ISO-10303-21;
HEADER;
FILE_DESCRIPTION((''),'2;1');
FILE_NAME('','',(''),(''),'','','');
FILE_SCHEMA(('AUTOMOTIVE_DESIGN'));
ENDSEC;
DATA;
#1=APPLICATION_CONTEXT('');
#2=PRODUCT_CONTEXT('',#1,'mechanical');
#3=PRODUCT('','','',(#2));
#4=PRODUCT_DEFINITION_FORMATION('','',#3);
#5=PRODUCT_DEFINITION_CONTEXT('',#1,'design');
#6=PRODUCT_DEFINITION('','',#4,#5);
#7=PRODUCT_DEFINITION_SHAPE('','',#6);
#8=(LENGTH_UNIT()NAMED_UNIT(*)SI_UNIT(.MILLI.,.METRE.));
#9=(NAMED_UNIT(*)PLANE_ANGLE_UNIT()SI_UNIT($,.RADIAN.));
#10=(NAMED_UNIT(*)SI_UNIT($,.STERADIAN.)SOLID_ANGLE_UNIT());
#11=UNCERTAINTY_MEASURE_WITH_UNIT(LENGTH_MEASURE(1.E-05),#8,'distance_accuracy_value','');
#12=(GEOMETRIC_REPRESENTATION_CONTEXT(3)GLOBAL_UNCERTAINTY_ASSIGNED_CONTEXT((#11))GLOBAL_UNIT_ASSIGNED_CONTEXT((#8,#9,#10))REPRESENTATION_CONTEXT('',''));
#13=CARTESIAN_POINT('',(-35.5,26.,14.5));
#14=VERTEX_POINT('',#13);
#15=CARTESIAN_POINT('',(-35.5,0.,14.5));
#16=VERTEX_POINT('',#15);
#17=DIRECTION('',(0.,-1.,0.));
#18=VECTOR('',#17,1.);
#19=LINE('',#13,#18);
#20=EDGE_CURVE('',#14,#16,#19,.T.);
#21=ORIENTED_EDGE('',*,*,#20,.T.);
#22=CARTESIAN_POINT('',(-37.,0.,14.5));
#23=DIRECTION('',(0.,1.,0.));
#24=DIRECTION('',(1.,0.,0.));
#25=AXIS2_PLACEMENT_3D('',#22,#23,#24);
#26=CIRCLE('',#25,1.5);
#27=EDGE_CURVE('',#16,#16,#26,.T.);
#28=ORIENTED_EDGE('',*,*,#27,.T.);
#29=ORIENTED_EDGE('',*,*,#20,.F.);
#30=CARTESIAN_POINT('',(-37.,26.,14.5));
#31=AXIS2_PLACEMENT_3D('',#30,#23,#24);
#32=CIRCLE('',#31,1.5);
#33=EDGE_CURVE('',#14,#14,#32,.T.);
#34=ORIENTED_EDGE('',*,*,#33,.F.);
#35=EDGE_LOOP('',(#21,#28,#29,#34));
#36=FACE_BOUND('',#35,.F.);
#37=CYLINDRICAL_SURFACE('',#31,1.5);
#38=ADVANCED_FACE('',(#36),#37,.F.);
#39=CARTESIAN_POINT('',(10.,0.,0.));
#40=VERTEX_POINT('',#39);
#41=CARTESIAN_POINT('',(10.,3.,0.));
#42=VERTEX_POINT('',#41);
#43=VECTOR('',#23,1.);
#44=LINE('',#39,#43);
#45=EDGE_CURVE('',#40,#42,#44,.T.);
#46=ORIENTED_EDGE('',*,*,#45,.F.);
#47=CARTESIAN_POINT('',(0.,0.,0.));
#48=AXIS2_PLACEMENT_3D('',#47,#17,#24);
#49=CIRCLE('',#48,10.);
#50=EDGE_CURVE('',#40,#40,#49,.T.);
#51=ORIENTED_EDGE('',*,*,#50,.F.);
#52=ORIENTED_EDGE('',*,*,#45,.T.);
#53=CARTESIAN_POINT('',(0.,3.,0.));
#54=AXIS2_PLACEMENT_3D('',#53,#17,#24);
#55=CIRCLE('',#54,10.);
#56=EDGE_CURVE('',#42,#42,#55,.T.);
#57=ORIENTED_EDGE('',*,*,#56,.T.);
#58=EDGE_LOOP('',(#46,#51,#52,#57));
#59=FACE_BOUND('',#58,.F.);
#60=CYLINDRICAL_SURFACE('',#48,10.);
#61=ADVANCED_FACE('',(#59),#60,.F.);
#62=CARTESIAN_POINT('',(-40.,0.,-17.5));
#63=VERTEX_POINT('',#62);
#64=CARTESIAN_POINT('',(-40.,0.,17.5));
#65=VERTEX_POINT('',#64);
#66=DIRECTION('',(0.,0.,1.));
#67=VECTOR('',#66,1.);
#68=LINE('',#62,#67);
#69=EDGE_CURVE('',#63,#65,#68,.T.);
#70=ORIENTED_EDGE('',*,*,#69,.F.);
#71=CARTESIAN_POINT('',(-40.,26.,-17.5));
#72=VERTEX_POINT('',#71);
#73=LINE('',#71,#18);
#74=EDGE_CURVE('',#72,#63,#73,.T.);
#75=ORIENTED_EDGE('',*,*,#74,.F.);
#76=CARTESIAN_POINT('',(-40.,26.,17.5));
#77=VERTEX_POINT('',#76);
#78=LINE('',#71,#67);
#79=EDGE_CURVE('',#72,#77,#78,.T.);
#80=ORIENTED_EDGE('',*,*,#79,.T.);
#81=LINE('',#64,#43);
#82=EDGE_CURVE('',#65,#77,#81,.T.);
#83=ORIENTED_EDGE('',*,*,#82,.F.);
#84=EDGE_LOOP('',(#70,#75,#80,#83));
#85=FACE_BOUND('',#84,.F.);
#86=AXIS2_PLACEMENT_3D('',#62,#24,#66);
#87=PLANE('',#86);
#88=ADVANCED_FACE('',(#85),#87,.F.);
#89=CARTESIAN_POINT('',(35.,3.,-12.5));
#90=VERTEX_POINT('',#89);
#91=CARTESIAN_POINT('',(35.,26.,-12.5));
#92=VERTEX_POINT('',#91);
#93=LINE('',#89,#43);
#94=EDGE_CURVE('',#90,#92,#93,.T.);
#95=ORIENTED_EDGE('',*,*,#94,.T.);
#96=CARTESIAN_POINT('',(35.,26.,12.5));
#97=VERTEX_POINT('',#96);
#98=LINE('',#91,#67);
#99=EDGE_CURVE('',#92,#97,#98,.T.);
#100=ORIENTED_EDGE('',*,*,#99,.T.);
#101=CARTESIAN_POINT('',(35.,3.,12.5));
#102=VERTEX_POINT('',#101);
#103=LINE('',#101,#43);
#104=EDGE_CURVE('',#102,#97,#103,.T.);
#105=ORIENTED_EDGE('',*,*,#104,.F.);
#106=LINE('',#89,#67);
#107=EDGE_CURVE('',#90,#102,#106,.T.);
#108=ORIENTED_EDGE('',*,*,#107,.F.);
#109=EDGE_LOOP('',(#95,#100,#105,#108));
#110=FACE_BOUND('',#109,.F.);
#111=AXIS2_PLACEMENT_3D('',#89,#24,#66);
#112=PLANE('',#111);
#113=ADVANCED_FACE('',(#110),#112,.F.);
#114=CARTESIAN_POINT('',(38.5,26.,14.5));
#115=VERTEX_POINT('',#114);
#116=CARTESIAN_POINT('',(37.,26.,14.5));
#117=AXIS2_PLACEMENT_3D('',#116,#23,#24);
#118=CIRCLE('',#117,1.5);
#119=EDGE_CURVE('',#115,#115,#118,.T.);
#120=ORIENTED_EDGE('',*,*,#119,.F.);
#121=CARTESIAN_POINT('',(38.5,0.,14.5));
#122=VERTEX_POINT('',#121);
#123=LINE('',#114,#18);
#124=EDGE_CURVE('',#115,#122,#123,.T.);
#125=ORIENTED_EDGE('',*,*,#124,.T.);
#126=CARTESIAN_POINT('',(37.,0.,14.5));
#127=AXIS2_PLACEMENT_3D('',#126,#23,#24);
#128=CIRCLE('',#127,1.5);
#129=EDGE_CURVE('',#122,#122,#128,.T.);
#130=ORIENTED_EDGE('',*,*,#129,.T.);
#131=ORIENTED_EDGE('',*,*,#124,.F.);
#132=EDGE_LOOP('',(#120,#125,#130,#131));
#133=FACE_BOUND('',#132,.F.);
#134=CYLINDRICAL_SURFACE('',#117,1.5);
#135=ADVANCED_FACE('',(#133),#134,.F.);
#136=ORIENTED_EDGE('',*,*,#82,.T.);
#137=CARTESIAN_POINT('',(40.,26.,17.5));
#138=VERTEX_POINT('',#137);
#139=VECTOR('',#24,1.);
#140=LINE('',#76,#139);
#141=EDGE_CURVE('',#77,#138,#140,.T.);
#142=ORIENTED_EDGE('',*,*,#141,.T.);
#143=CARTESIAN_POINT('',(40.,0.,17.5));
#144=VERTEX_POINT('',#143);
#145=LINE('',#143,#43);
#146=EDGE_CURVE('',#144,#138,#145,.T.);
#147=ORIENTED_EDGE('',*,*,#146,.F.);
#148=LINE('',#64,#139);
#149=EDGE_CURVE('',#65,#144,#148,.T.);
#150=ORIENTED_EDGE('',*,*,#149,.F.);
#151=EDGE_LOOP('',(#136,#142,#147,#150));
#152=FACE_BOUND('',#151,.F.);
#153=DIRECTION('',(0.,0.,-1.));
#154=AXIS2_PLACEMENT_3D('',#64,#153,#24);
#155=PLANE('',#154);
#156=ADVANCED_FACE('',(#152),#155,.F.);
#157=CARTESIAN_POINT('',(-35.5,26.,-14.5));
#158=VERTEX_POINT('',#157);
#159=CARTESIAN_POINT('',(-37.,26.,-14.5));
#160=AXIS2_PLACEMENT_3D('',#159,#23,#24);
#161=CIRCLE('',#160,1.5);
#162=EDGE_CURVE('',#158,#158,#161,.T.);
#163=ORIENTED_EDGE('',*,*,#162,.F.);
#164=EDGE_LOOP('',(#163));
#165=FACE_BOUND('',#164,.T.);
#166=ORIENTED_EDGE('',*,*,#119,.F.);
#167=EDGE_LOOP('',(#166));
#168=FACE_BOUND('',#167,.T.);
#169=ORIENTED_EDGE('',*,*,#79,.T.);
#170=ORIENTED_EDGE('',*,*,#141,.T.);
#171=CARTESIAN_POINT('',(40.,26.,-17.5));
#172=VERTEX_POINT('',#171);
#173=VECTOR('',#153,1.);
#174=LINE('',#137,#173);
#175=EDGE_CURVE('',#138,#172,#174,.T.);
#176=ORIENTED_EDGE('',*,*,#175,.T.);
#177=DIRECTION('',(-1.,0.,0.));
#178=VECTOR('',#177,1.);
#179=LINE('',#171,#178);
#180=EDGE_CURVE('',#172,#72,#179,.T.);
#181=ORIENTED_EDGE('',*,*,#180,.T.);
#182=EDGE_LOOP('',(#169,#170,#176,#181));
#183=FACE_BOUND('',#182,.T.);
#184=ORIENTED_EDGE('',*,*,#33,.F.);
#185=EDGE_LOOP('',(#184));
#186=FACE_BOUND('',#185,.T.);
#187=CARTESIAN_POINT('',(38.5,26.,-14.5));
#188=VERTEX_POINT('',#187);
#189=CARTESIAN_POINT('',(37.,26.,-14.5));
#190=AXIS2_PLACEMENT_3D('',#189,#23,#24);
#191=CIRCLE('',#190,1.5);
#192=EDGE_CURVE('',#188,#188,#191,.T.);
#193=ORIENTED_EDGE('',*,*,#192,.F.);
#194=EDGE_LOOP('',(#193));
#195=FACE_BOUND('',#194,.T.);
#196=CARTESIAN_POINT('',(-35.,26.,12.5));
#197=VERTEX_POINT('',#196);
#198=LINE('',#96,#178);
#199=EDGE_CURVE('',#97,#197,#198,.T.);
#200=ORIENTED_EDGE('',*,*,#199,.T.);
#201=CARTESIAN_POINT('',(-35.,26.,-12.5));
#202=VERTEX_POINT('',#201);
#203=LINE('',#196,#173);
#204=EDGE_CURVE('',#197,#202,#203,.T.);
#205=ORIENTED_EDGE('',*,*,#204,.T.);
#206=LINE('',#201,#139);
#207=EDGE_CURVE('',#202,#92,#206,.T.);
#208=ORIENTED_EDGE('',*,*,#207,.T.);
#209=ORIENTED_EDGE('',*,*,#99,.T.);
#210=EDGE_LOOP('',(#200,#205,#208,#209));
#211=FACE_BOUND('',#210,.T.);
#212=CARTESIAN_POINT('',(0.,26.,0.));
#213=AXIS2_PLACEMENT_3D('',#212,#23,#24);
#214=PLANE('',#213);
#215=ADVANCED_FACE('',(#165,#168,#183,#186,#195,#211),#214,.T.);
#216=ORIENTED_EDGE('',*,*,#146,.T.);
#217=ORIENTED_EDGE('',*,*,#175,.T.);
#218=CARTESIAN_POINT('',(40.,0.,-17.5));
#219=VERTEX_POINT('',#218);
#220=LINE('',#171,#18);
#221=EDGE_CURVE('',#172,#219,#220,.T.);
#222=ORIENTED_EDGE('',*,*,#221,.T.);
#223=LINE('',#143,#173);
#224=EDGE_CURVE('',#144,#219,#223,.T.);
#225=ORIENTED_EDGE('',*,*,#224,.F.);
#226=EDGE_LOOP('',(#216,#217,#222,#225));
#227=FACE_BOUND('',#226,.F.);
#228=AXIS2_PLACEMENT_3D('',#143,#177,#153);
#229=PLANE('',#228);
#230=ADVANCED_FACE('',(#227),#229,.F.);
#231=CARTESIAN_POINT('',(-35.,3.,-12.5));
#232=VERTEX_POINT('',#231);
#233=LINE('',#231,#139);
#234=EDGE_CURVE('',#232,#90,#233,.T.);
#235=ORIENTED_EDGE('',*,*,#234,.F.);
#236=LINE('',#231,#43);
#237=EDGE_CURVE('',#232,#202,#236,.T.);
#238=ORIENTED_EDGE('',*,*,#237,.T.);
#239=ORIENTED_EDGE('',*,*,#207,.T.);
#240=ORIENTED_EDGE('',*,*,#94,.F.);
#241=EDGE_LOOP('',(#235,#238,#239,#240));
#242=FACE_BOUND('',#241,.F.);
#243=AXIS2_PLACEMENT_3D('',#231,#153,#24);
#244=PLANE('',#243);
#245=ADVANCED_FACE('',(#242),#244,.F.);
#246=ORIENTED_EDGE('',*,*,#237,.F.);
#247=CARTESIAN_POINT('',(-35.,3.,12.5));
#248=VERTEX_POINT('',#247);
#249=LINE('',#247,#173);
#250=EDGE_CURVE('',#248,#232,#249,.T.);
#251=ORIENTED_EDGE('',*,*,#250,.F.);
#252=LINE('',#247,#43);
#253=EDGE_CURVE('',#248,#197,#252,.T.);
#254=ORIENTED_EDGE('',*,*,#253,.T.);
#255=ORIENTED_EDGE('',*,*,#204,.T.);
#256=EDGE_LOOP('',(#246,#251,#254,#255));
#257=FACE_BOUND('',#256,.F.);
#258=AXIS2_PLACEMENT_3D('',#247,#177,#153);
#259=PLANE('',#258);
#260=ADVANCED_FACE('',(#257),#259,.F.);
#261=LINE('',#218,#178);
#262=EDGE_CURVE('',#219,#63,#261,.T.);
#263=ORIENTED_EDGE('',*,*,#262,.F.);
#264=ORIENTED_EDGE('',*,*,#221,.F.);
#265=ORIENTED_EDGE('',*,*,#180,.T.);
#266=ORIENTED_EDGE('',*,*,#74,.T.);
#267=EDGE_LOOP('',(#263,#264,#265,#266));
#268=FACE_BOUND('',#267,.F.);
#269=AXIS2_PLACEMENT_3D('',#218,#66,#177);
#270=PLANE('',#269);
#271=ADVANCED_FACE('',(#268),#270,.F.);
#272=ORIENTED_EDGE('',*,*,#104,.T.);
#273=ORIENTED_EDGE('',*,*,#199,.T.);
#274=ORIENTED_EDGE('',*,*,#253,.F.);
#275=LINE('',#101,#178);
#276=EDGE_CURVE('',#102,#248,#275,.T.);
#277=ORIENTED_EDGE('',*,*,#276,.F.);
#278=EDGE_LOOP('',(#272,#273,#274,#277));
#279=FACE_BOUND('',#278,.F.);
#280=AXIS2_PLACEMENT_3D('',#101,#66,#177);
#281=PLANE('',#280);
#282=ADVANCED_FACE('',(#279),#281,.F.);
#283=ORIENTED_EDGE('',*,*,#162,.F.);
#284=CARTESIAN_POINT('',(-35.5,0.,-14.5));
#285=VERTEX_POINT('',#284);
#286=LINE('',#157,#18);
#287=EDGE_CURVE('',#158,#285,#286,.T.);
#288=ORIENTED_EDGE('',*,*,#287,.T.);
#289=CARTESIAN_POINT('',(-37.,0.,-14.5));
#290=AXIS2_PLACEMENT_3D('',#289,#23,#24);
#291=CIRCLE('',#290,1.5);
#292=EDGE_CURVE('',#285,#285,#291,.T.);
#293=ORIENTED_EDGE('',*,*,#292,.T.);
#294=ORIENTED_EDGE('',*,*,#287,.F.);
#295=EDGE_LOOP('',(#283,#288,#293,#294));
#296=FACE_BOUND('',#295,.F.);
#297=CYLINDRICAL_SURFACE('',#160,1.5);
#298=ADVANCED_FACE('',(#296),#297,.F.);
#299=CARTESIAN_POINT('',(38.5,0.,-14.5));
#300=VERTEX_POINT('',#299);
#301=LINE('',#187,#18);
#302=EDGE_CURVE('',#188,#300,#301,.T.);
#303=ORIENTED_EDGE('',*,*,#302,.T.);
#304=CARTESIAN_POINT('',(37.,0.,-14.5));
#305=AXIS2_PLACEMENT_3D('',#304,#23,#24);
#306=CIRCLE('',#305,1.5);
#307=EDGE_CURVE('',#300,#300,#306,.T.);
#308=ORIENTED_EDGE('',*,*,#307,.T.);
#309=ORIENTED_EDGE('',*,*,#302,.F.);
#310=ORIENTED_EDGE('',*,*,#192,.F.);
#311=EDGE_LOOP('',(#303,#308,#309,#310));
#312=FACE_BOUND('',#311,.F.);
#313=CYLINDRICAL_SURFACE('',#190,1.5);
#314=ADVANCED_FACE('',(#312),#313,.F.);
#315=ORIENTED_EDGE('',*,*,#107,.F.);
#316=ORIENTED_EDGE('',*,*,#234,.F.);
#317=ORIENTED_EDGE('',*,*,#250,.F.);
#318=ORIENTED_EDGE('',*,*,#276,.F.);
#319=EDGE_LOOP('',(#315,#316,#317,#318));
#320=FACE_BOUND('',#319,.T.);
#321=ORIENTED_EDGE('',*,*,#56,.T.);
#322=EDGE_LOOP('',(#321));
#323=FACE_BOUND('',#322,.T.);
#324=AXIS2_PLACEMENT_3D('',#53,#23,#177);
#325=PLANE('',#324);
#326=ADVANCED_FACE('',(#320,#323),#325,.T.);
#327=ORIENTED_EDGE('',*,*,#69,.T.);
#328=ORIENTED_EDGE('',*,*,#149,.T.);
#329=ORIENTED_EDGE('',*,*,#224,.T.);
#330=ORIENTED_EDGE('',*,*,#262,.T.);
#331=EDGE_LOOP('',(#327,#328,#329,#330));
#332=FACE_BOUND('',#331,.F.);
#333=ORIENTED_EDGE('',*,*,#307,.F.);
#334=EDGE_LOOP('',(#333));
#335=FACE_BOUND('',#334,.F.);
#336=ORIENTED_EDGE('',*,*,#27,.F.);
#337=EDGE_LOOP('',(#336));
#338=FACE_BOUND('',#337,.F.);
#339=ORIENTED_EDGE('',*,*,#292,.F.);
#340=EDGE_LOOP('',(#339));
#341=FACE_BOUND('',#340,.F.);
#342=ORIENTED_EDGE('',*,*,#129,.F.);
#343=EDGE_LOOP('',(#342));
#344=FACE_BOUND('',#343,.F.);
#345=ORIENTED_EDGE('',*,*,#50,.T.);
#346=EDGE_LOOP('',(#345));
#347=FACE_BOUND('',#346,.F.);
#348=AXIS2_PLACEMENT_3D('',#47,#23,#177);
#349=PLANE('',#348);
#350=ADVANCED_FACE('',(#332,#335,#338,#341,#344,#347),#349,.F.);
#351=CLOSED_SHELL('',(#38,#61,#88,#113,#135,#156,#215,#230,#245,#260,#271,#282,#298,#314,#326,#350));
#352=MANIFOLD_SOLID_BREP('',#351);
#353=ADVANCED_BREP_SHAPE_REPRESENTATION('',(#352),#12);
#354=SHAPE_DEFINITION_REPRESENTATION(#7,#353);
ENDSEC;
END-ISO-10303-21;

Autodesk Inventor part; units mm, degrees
ref_plane "YZ Plane" through (0, 0, 0) normal (1, 0, 0) x (0, 1, 0)
ref_plane "XZ Plane" through (0, 0, 0) normal (0, 1, 0) x (-1, 0, 0)
ref_plane "XY Plane" through (0, 0, 0) normal (0, 0, 1) x (1, 0, 0)
sketch "Sketch1" plane through (0, 0, 0) normal (0, 1, 0) x (-1, 0, 0)
  line L0 (40, 17.5) -> (-40, 17.5)
  line L1 (-40, 17.5) -> (-40, -17.5)
  line L2 (-40, -17.5) -> (40, -17.5)
  line L3 (40, -17.5) -> (40, 17.5)
  line L4 (40, 17.5) -> (-40, -17.5) construction
  line L5 (-40, 17.5) -> (40, -17.5) construction
  point P0 (0, 0)
  dimension "d0" = 80
  dimension "d1" = 35
extrude "Extrusion1" add sketch "Sketch1" along normal blind 3
sketch "Sketch2" plane through (0, 3, 0) normal (0, 1, 0) x (1, 0, 0)
  line L0 (35, -12.5) -> (-35, -12.5)
  line L1 (-35, -12.5) -> (-35, 12.5)
  line L2 (-35, 12.5) -> (35, 12.5)
  line L3 (35, 12.5) -> (35, -12.5)
  line L4 (35, -12.5) -> (-35, 12.5) construction
  line L5 (-35, -12.5) -> (35, 12.5) construction
  line L6 (40, 17.5) -> (-40, 17.5) projected
  line L7 (40, -17.5) -> (40, 17.5) projected
  line L8 (40, -17.5) -> (40, 17.5) projected
  line L9 (40, 17.5) -> (-40, 17.5) projected
  line L10 (-40, 17.5) -> (-40, -17.5) projected
  line L11 (-40, -17.5) -> (40, -17.5) projected
  point P0 (0, 0)
  dimension "d4" = 70
  dimension "d5" = 25
extrude "Extrusion2" add sketch "Sketch2" along normal blind 23
sketch "Sketch3" plane through (0, 26, 0) normal (0, 1, 0) x (1, 0, 0)
  circle A0 centre (-37, -14.5) radius 1.5
  line L0 (-40, 17.5) -> (-40, -17.5) projected
  line L1 (-40, -17.5) -> (40, -17.5) projected
  circle A1 centre (-37, 14.5) radius 1.5
  circle A2 centre (37, 14.5) radius 1.5
  circle A3 centre (37, -14.5) radius 1.5
  line L2 (40, 17.5) -> (-40, 17.5) projected
  line L3 (40, -17.5) -> (40, 17.5) projected
  point P0 (0, 0)
  dimension "d11" = 3
  dimension "d12" = 3
  dimension "d13" = 3
  dimension "d14" = 3
  dimension "d15" = 3
  dimension "d16" = 3
  dimension "d17" = 3
  dimension "d18" = 3
  dimension "d19" = 3
  dimension "d20" = 3
  dimension "d21" = 3
  dimension "d22" = 3
extrude "Extrusion3" cut sketch "Sketch3" against normal through all contours A0 | A1 | A2 | A3
sketch "Sketch4" plane through (0, 0, 0) normal (0, -1, 0) x (1, 0, 0)
  circle A0 centre (0, 0) radius 10
  dimension "d25" = 20
extrude "Extrusion4" cut sketch "Sketch4" against normal blind 10
properties part number "camera_case_2" material "ABS Plastic"
